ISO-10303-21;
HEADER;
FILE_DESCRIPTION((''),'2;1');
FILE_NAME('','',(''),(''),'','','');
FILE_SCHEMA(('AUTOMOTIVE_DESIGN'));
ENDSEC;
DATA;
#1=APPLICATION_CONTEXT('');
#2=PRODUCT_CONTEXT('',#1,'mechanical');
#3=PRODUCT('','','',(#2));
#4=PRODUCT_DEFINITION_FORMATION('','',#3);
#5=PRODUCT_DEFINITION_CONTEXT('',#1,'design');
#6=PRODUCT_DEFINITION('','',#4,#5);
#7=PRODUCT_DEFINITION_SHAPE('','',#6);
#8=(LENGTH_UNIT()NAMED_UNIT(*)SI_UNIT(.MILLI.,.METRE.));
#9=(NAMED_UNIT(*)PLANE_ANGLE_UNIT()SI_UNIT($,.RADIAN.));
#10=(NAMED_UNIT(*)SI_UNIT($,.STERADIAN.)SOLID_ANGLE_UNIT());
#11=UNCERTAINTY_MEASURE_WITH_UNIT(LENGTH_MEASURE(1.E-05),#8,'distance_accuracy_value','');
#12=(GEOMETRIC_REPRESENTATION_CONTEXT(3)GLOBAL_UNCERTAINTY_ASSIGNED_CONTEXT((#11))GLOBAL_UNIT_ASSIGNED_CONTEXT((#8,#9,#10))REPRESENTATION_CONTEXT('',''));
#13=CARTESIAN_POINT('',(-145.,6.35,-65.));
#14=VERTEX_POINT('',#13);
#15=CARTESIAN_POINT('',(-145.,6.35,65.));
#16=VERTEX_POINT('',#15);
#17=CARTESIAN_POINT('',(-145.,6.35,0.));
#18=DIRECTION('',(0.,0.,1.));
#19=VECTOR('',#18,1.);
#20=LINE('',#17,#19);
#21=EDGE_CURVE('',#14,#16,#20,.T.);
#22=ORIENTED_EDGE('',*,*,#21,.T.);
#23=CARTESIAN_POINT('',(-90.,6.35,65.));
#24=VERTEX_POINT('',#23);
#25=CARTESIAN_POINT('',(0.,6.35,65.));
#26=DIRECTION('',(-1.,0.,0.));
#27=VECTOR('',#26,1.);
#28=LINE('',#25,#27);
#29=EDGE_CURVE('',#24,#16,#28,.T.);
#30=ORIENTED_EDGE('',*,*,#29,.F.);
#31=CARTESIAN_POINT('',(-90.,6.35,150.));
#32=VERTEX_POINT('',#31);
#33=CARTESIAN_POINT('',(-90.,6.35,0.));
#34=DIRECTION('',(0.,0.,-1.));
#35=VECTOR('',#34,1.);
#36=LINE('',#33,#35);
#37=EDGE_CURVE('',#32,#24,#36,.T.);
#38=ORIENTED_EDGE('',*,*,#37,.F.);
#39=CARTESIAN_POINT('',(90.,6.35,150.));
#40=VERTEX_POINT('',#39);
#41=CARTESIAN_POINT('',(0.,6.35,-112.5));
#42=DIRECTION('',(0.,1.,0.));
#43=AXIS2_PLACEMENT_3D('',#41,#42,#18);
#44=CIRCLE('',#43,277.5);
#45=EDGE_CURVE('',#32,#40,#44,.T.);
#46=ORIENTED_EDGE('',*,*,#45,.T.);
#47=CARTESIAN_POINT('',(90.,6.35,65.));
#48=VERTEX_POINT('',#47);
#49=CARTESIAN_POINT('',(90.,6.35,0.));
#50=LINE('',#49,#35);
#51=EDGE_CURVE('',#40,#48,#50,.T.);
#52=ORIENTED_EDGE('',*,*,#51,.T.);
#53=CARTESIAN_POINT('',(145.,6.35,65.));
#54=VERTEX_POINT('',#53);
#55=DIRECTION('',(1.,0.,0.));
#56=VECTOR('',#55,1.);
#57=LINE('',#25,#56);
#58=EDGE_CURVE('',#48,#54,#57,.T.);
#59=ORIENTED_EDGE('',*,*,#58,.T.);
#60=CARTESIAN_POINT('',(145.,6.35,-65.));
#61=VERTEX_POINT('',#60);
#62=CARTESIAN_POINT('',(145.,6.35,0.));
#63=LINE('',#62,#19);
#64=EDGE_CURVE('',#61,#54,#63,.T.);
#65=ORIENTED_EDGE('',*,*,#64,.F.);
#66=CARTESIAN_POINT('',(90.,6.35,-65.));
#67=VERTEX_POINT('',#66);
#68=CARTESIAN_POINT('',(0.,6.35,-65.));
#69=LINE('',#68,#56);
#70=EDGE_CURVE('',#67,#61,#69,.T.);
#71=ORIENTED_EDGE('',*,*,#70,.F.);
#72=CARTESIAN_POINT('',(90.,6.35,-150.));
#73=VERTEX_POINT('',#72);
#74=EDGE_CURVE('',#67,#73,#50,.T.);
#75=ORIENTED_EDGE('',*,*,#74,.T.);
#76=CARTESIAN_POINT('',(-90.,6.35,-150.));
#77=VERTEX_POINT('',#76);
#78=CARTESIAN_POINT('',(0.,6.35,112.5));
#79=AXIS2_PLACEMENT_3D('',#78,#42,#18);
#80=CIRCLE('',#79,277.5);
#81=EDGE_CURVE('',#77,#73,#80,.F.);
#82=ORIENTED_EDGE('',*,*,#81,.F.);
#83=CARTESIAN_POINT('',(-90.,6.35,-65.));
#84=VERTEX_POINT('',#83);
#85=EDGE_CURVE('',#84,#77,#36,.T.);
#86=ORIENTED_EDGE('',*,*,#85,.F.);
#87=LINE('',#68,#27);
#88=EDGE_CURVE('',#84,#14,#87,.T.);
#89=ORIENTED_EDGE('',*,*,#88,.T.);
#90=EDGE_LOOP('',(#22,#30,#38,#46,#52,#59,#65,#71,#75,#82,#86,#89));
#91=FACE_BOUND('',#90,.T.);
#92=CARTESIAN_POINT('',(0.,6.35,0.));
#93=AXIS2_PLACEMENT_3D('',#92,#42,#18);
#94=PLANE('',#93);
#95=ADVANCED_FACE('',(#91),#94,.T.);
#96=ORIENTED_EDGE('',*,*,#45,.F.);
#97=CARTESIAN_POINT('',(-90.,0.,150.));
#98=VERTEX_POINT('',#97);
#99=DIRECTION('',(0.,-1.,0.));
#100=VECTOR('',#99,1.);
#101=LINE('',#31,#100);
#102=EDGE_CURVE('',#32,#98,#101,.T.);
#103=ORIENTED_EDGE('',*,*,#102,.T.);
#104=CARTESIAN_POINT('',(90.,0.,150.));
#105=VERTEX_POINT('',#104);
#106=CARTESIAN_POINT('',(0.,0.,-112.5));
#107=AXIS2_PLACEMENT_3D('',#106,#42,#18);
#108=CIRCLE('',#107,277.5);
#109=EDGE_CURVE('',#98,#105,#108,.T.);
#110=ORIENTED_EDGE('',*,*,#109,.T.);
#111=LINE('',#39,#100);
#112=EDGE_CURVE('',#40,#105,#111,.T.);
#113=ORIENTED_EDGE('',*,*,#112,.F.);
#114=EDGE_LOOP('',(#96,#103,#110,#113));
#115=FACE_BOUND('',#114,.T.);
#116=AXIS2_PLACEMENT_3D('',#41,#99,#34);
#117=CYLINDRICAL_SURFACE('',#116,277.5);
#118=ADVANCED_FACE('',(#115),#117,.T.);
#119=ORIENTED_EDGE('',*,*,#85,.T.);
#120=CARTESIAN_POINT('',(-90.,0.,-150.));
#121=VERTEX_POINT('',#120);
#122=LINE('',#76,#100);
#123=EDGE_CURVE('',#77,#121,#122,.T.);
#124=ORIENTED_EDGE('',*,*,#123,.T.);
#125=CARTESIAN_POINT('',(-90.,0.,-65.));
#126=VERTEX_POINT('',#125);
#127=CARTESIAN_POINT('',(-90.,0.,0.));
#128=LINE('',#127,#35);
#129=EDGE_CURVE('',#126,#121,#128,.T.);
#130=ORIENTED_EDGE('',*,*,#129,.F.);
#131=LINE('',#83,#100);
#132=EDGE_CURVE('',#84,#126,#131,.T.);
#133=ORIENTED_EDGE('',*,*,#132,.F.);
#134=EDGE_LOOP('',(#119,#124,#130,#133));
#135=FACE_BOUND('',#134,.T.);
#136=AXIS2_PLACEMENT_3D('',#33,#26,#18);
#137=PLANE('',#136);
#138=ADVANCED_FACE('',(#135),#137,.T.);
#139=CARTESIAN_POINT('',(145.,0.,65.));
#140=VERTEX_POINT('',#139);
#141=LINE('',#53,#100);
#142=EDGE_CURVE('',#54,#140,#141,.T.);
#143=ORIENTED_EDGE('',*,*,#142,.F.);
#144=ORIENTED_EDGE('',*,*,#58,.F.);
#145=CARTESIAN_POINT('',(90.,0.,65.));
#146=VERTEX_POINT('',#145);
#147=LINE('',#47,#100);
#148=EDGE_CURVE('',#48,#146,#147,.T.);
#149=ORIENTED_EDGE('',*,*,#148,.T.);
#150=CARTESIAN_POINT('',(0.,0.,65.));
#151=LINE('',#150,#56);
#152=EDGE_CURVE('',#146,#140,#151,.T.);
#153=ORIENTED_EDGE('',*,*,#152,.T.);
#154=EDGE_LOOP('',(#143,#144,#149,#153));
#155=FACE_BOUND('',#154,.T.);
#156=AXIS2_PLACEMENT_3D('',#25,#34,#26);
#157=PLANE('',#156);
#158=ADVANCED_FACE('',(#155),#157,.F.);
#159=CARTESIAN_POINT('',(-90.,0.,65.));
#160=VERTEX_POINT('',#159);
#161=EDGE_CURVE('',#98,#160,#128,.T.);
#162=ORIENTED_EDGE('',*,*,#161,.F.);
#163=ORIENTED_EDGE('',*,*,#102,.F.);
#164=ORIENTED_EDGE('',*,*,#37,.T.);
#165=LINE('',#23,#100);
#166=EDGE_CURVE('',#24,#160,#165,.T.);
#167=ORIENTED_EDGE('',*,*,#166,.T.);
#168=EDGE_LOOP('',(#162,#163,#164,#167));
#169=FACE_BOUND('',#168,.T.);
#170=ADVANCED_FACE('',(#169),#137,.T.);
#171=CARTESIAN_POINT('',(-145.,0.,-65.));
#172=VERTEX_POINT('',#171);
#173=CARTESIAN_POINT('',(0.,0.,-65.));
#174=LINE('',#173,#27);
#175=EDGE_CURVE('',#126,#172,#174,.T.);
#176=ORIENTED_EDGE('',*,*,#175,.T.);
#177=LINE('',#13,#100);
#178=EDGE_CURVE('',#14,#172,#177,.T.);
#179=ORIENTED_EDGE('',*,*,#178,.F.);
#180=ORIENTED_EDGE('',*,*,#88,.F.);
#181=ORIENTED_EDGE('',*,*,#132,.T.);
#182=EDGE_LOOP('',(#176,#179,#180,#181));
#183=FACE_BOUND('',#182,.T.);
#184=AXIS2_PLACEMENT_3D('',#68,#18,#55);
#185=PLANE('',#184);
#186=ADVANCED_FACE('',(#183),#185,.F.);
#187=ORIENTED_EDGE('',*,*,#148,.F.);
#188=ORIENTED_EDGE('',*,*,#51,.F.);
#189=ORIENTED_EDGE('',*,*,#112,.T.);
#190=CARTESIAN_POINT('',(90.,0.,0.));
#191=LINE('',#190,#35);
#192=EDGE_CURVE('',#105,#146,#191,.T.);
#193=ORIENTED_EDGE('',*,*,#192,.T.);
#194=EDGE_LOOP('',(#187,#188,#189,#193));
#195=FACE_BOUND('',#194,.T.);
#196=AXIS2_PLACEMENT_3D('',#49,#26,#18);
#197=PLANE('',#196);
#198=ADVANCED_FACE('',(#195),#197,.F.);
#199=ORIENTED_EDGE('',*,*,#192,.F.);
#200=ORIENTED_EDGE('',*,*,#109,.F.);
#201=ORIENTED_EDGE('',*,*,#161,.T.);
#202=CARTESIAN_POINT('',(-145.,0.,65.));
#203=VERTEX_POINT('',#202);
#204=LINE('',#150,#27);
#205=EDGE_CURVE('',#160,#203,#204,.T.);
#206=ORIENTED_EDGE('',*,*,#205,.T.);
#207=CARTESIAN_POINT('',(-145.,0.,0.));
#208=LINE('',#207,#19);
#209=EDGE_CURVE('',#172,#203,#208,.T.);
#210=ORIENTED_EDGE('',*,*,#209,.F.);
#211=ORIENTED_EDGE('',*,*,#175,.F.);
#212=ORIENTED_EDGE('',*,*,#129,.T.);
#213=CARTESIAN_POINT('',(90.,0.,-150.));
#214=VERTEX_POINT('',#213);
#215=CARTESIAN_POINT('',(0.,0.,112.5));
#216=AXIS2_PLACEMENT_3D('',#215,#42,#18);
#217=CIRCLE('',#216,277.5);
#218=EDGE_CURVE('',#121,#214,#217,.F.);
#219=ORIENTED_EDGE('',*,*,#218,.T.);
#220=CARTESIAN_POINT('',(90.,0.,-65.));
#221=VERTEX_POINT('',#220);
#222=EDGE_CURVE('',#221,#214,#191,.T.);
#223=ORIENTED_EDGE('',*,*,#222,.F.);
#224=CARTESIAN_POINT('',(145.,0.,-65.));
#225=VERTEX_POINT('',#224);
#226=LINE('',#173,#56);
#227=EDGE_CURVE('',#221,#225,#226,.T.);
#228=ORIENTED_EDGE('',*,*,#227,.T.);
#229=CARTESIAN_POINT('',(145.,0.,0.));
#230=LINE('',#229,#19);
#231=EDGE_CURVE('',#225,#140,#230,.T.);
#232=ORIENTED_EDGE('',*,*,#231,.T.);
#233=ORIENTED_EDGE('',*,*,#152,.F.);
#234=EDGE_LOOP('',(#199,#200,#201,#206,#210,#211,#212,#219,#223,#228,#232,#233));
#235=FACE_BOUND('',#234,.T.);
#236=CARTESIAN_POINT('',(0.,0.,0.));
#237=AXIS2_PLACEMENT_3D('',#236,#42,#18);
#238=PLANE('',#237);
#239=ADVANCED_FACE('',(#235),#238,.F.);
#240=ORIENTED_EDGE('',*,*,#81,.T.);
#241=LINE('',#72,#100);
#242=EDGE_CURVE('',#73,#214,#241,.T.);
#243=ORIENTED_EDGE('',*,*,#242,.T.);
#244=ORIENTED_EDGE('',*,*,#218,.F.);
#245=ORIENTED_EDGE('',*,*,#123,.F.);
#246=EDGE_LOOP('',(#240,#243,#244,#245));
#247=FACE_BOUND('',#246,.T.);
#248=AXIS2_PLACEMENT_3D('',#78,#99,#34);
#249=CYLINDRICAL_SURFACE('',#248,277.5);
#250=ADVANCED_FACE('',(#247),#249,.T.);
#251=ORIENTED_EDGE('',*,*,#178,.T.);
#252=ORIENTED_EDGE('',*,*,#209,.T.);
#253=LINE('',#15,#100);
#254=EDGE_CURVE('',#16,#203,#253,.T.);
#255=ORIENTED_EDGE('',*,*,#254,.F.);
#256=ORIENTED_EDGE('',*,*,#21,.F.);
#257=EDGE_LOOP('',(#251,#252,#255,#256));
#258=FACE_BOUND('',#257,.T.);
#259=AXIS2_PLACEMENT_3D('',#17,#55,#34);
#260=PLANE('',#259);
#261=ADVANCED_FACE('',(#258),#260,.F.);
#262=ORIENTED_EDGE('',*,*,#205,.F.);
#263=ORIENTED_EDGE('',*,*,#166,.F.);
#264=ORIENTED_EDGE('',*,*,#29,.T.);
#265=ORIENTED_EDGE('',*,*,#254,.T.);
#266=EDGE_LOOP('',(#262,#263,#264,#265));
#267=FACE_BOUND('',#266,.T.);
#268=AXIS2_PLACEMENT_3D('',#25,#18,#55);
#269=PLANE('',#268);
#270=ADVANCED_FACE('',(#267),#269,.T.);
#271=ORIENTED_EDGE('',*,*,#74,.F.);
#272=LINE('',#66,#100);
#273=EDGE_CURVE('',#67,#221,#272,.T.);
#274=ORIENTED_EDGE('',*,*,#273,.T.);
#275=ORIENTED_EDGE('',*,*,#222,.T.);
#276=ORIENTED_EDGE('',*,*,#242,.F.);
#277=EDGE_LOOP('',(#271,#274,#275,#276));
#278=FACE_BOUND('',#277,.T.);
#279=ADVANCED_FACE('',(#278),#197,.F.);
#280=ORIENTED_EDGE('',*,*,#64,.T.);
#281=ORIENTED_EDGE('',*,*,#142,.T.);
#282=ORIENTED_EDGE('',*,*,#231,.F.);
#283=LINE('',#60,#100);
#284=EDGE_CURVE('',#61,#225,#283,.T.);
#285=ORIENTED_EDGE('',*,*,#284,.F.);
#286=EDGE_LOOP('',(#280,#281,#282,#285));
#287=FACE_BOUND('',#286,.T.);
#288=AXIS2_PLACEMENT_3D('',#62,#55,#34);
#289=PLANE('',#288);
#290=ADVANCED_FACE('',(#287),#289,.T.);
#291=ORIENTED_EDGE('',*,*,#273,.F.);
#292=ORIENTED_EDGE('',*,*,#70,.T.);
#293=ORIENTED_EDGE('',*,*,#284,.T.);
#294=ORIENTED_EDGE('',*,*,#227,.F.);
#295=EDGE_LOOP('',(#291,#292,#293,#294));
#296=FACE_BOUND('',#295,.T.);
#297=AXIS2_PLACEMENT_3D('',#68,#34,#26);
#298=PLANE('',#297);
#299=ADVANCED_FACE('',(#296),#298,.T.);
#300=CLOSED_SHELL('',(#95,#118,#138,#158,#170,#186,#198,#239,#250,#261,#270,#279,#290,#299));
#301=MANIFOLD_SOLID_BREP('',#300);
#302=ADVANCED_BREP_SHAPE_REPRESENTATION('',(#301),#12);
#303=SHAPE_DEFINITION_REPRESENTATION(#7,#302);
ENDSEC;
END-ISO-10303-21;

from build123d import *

# Parameters (mm, degrees)
ESQUISSE1_W        = 180
ESQUISSE1_H        = 300
ESQUISSE1_W_2      = 55
ESQUISSE1_H_2      = 130
BOSS_EXTRU_1_DEPTH = 6.35


with BuildPart() as part:
    # Esquisse1 → Boss.-Extru.1 (new body)
    with BuildSketch(Plane(origin=(0, 0, 0), x_dir=(1, 0, 0), z_dir=(0, 1, 0))):
        Rectangle(ESQUISSE1_W, ESQUISSE1_H)
        with Locations((-117.5, 0)):
            Rectangle(ESQUISSE1_W_2, ESQUISSE1_H_2)
        with Locations((117.5, 0)):
            Rectangle(ESQUISSE1_W_2, ESQUISSE1_H_2)
        with BuildLine():
            Line((-90, -150), (90, -150))
            ThreePointArc((90, -150), (0, -165), (-90, -150))
        make_face()
        with BuildLine():
            ThreePointArc((-90, 150), (0, 165), (90, 150))
            Line((90, 150), (-90, 150))
        make_face()
    extrude(amount=BOSS_EXTRU_1_DEPTH)


solid = part.part
